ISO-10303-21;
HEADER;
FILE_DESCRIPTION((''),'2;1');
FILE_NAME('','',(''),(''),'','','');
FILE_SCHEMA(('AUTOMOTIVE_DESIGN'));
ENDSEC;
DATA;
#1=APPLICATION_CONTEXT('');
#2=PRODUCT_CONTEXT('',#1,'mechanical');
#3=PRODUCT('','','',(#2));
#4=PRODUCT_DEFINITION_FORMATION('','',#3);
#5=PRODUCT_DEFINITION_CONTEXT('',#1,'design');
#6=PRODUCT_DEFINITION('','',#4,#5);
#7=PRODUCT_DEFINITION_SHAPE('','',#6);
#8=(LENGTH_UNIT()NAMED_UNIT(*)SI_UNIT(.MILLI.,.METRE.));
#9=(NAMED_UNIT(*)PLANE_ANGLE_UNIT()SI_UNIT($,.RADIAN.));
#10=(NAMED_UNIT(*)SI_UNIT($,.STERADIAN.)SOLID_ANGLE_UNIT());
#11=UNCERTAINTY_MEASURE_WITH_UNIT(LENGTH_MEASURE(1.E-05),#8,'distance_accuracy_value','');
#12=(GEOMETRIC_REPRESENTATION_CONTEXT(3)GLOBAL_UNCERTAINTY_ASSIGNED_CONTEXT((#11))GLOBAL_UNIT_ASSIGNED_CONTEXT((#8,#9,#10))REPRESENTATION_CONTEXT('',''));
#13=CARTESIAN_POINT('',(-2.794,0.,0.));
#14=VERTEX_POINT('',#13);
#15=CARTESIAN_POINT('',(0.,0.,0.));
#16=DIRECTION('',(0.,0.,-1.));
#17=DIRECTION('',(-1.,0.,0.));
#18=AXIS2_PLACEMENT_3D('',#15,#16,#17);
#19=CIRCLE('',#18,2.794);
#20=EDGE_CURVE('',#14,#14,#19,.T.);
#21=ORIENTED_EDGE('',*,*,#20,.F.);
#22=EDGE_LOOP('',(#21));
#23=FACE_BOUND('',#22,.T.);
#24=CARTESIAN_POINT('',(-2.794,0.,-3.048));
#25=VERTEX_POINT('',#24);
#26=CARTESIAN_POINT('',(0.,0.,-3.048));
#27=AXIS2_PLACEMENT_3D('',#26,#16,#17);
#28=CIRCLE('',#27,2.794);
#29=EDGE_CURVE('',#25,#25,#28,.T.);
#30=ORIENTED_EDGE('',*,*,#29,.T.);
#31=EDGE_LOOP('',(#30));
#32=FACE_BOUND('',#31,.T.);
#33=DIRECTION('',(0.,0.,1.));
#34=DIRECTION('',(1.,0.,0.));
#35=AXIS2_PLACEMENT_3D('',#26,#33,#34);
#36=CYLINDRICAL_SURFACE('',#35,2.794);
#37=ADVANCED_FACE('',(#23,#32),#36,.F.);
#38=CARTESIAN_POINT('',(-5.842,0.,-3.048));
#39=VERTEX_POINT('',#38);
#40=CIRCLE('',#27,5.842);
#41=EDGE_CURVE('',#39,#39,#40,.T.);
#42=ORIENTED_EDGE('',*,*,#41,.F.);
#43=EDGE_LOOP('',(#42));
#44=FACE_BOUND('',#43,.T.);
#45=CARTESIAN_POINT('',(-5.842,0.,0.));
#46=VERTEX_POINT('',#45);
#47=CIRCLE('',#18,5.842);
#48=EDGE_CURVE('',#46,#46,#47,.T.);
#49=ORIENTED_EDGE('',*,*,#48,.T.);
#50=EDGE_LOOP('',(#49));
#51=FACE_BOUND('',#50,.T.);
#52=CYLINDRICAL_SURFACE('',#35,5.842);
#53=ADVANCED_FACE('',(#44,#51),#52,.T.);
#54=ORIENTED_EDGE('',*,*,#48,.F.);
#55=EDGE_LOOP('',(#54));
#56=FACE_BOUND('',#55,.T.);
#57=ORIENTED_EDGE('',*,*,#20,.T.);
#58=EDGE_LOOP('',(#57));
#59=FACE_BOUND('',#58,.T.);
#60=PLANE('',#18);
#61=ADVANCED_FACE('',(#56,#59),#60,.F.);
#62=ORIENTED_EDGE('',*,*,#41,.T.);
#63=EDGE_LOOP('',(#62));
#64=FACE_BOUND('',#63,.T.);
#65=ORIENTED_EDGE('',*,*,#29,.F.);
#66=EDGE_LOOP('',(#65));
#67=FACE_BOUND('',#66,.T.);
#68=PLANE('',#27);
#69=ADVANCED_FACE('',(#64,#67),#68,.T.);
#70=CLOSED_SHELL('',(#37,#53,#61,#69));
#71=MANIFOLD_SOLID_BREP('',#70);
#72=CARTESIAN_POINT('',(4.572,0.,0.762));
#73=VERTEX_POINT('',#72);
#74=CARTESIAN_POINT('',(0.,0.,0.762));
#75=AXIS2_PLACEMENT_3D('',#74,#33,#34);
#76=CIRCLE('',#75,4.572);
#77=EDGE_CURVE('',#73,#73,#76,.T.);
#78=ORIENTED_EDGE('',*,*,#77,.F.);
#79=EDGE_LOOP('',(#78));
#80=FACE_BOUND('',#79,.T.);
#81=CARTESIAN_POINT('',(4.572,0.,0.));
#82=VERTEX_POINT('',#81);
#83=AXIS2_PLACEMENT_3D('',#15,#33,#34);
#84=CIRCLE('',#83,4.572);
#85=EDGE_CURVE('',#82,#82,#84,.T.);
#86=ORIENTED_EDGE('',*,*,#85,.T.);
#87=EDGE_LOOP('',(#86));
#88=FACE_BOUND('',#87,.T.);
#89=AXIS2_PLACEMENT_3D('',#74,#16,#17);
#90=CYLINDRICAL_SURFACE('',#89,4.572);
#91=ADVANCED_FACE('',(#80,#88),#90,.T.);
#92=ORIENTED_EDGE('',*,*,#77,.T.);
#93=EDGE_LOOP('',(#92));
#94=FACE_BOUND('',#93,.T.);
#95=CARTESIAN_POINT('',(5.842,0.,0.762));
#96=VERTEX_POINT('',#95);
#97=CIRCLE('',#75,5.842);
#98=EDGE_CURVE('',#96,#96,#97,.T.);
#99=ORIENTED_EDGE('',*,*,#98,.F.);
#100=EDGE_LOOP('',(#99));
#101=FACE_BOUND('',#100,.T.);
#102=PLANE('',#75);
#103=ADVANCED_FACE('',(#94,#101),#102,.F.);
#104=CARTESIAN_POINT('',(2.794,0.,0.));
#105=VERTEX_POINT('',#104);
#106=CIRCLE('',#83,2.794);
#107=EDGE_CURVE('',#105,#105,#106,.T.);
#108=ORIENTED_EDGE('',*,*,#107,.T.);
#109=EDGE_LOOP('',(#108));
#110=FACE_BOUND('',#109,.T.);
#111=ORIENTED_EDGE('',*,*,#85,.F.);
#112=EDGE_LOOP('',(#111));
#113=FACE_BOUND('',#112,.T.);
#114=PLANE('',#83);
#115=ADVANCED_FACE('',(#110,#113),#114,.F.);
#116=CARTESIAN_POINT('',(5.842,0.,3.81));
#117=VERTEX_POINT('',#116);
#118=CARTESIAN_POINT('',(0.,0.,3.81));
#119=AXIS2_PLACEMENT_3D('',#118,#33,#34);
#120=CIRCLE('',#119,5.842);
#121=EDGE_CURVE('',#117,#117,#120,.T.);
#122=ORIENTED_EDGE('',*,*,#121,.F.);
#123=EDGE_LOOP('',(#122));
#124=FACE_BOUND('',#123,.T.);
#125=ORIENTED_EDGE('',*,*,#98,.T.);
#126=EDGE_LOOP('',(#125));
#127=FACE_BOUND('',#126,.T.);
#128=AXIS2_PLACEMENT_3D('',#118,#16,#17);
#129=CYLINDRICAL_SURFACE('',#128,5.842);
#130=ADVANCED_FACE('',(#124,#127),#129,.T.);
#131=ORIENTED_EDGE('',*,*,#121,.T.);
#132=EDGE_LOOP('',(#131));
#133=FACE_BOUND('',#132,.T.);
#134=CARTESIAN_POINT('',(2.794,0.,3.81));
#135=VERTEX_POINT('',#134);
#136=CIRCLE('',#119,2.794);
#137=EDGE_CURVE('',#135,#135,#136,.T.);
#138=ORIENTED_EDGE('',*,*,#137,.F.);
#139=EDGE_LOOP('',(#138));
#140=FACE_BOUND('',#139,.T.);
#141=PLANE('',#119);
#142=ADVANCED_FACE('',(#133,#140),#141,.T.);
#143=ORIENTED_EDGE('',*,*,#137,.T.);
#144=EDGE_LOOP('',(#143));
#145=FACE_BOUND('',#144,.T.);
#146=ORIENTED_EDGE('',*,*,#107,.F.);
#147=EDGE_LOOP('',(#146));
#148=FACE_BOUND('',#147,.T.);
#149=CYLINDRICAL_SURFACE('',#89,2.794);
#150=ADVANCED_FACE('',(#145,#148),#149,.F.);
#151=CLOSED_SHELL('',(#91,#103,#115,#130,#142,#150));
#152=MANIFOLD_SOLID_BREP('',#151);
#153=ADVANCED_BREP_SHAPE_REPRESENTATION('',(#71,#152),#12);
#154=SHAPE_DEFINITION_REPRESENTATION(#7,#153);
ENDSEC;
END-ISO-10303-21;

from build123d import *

# Parameters (mm, degrees)
SKETCH1_R           = 4.572
SKETCH1_R_2         = 2.794
BOSS_EXTRUDE2_DEPTH = 0.762
SKETCH3_R           = 5.842
SKETCH3_R_2         = 2.794
BOSS_EXTRUDE3_DEPTH = 3.048
SKETCH4_R           = 5.842
SKETCH4_R_2         = 2.794
BOSS_EXTRUDE4_DEPTH = 3.048


with BuildPart() as part:
    # Sketch1 → Boss-Extrude2 (new body)
    with BuildSketch(Plane.XY):
        Circle(SKETCH1_R)
        Circle(SKETCH1_R_2, mode=Mode.SUBTRACT)
    extrude(amount=BOSS_EXTRUDE2_DEPTH)

    # Sketch3 → Boss-Extrude3 (add)
    with BuildSketch(Plane.XY.offset(0.762)):
        Circle(SKETCH3_R)
        Circle(SKETCH3_R_2, mode=Mode.SUBTRACT)
    extrude(amount=BOSS_EXTRUDE3_DEPTH)


with BuildPart() as body_2:
    # Sketch4 → Boss-Extrude4 (new body)
    with BuildSketch(Plane(origin=(0, 0, 0), x_dir=(-1, 0, 0), z_dir=(0, 0, -1))):
        Circle(SKETCH4_R)
        Circle(SKETCH4_R_2, mode=Mode.SUBTRACT)
    extrude(amount=BOSS_EXTRUDE4_DEPTH)


solid = Compound([part.part, body_2.part])
